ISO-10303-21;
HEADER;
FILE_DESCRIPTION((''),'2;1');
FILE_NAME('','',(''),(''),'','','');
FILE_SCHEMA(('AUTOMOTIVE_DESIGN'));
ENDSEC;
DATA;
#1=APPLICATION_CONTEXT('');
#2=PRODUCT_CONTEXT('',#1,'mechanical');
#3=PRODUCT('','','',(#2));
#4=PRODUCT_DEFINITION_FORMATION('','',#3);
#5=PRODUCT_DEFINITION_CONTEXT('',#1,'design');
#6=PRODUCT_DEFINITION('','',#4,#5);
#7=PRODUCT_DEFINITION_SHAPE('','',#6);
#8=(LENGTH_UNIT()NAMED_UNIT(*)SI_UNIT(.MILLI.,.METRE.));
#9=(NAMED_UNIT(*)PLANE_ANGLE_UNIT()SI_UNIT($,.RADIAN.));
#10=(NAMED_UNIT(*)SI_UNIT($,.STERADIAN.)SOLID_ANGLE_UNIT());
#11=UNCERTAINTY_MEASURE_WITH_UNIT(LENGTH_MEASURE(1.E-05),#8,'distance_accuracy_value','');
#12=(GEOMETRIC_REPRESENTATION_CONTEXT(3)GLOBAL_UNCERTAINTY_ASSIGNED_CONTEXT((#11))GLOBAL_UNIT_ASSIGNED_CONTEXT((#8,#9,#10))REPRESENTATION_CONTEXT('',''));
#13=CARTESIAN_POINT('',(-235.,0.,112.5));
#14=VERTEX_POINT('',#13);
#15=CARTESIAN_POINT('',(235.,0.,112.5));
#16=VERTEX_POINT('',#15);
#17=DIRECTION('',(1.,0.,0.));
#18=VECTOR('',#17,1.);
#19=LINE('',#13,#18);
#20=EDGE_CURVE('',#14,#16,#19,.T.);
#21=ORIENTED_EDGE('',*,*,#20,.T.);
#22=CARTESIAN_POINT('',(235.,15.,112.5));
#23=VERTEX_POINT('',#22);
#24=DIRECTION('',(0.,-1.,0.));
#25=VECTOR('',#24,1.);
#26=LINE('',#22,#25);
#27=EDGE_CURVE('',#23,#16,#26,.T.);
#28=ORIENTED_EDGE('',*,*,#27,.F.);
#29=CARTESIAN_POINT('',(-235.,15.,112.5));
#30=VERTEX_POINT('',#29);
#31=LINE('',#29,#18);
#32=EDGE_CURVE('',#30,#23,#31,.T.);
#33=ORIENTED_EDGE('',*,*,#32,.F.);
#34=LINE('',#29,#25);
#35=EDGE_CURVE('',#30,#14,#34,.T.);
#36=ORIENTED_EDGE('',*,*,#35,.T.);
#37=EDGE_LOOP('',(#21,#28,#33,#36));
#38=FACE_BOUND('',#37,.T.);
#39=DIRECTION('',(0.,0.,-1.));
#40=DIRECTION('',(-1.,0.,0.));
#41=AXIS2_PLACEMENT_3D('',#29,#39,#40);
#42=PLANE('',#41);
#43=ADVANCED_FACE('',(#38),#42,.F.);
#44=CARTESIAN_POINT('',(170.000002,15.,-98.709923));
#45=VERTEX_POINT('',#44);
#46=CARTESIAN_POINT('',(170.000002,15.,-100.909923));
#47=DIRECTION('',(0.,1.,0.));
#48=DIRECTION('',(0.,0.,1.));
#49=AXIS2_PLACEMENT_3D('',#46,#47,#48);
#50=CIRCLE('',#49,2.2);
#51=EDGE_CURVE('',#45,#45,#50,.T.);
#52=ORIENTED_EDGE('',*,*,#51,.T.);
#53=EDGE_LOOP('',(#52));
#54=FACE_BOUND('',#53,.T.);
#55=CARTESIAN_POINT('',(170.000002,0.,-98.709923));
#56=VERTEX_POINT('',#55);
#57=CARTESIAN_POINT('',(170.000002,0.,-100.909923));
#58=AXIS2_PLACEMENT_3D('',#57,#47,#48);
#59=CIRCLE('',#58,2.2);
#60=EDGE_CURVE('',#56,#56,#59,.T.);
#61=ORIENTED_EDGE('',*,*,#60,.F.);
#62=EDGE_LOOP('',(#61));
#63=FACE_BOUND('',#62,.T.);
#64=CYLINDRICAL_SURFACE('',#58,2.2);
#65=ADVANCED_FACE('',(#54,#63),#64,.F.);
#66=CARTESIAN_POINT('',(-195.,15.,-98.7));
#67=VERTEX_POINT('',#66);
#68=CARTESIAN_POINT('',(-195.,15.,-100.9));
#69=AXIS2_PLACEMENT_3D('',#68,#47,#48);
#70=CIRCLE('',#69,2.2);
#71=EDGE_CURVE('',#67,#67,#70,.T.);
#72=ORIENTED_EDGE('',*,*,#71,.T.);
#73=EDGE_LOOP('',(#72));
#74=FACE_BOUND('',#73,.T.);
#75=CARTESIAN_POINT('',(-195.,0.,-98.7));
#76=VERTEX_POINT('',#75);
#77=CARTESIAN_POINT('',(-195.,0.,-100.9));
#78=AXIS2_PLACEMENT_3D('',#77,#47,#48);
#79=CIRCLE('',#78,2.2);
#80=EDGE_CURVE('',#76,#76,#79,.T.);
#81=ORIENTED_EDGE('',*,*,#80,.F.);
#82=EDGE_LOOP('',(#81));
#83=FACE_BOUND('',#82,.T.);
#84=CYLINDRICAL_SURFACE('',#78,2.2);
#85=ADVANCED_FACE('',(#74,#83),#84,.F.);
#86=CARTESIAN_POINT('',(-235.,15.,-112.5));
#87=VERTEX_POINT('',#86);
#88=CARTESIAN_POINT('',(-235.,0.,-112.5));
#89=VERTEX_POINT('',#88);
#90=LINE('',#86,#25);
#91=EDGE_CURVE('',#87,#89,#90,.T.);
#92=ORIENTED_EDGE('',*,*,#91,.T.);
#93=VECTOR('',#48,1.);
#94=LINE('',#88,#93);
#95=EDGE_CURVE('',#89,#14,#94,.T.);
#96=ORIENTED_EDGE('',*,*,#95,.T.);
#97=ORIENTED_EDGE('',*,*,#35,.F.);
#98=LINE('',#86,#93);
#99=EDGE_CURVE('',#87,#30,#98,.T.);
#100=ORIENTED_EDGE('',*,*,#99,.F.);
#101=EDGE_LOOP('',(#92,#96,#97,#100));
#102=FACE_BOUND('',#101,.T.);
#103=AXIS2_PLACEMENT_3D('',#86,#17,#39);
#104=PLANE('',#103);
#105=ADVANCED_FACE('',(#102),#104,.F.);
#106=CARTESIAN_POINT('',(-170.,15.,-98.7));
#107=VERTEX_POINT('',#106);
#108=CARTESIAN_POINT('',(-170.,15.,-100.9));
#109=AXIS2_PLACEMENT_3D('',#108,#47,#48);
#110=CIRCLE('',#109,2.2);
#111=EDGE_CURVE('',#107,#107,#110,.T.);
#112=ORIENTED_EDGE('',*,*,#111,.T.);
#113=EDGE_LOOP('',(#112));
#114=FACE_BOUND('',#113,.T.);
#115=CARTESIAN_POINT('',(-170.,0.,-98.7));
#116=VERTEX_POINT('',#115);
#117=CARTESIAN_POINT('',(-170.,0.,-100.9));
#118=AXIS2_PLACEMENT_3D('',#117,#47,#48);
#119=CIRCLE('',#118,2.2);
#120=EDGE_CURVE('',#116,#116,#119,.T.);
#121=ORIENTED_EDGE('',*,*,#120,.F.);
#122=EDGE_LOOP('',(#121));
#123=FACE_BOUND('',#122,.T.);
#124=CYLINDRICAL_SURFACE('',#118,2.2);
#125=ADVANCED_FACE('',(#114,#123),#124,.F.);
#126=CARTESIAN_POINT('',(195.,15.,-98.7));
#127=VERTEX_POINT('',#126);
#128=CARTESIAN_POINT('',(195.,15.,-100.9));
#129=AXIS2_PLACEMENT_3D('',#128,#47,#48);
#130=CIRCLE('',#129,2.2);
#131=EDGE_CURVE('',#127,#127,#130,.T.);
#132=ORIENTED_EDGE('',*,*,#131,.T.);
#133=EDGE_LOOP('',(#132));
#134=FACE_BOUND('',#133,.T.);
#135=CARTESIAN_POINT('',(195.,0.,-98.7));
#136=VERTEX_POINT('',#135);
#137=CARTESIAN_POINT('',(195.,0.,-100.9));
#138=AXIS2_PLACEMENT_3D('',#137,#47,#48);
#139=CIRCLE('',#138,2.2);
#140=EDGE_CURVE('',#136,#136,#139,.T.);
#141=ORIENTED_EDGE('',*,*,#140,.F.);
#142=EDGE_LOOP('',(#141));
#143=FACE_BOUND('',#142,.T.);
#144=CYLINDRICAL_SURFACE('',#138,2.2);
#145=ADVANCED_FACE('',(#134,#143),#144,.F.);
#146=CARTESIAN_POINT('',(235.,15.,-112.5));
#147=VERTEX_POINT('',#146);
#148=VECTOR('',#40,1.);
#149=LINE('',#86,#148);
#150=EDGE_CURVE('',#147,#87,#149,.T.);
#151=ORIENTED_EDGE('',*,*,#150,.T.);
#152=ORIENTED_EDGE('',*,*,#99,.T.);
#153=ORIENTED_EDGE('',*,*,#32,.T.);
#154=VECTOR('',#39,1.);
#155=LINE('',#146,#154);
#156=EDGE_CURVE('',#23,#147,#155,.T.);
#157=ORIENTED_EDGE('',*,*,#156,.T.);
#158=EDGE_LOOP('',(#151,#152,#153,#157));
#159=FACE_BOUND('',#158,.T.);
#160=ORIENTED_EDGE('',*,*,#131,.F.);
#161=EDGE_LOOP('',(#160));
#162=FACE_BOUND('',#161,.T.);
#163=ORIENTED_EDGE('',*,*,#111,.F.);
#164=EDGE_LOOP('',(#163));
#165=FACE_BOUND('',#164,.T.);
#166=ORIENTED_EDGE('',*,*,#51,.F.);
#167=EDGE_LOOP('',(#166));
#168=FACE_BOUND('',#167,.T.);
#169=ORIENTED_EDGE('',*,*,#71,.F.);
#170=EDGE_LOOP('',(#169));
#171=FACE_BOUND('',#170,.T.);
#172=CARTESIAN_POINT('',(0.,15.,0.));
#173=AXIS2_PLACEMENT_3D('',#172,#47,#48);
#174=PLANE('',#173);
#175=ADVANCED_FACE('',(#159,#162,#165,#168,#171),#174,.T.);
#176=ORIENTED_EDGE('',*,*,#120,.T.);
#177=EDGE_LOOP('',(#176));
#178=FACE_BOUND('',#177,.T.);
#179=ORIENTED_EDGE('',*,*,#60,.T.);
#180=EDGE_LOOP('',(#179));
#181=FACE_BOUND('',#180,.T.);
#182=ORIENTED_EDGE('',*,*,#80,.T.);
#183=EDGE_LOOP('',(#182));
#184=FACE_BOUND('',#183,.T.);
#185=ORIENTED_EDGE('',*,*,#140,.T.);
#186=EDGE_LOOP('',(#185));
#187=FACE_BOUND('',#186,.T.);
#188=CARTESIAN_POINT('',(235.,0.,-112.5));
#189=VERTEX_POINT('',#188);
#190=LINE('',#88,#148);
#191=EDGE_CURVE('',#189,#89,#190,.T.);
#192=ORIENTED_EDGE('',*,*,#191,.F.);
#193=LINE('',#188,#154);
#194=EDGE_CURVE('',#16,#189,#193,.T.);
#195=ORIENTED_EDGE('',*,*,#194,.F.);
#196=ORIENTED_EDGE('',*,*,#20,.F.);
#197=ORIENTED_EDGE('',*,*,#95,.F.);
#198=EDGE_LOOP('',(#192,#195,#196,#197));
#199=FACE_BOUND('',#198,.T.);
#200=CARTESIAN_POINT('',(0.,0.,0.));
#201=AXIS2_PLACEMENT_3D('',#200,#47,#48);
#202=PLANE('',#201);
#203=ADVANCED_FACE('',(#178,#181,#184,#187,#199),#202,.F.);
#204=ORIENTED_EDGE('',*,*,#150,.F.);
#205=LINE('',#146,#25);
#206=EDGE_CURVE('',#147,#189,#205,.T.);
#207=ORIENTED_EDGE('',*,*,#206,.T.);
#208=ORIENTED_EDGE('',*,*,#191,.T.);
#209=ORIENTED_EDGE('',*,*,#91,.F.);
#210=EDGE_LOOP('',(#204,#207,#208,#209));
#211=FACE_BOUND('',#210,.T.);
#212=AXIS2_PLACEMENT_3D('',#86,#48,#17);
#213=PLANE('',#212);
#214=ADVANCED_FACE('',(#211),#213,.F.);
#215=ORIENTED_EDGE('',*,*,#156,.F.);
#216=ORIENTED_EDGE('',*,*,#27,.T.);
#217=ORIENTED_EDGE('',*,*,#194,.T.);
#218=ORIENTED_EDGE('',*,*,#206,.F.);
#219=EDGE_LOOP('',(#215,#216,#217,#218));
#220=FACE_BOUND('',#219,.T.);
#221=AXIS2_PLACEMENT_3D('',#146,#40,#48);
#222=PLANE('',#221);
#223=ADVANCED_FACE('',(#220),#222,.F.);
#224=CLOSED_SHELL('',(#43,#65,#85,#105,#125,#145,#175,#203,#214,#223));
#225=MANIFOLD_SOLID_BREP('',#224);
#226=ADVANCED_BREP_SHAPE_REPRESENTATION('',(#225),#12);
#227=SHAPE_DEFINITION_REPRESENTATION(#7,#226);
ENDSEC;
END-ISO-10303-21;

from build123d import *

# Parameters (mm, degrees)
SKETCH2_W           = 470
SKETCH2_H           = 225
BOSS_EXTRUDE1_DEPTH = 15
SKETCH3_R           = 2.2
CUT_EXTRUDE1_DEPTH  = 16


with BuildPart() as part:
    # Sketch2 → Boss-Extrude1 (new body)
    with BuildSketch(Plane(origin=(0, 0, 0), x_dir=(1, 0, 0), z_dir=(0, 1, 0))):
        Rectangle(SKETCH2_W, SKETCH2_H)
    extrude(amount=BOSS_EXTRUDE1_DEPTH)

    # Sketch3 → Cut-Extrude1 (cut, through all)
    with BuildSketch(Plane(origin=(0, 15, 0), x_dir=(1, 0, 0), z_dir=(0, 1, 0))):
        with Locations((-195, 100.9)):
            Circle(SKETCH3_R)
        with Locations((-170, 100.9)):
            Circle(SKETCH3_R)
        with Locations((195, 100.9)):
            Circle(SKETCH3_R)
        with Locations((170.000001969, 100.909922977)):
            Circle(SKETCH3_R)
    extrude(amount=-CUT_EXTRUDE1_DEPTH, mode=Mode.SUBTRACT)


solid = part.part
